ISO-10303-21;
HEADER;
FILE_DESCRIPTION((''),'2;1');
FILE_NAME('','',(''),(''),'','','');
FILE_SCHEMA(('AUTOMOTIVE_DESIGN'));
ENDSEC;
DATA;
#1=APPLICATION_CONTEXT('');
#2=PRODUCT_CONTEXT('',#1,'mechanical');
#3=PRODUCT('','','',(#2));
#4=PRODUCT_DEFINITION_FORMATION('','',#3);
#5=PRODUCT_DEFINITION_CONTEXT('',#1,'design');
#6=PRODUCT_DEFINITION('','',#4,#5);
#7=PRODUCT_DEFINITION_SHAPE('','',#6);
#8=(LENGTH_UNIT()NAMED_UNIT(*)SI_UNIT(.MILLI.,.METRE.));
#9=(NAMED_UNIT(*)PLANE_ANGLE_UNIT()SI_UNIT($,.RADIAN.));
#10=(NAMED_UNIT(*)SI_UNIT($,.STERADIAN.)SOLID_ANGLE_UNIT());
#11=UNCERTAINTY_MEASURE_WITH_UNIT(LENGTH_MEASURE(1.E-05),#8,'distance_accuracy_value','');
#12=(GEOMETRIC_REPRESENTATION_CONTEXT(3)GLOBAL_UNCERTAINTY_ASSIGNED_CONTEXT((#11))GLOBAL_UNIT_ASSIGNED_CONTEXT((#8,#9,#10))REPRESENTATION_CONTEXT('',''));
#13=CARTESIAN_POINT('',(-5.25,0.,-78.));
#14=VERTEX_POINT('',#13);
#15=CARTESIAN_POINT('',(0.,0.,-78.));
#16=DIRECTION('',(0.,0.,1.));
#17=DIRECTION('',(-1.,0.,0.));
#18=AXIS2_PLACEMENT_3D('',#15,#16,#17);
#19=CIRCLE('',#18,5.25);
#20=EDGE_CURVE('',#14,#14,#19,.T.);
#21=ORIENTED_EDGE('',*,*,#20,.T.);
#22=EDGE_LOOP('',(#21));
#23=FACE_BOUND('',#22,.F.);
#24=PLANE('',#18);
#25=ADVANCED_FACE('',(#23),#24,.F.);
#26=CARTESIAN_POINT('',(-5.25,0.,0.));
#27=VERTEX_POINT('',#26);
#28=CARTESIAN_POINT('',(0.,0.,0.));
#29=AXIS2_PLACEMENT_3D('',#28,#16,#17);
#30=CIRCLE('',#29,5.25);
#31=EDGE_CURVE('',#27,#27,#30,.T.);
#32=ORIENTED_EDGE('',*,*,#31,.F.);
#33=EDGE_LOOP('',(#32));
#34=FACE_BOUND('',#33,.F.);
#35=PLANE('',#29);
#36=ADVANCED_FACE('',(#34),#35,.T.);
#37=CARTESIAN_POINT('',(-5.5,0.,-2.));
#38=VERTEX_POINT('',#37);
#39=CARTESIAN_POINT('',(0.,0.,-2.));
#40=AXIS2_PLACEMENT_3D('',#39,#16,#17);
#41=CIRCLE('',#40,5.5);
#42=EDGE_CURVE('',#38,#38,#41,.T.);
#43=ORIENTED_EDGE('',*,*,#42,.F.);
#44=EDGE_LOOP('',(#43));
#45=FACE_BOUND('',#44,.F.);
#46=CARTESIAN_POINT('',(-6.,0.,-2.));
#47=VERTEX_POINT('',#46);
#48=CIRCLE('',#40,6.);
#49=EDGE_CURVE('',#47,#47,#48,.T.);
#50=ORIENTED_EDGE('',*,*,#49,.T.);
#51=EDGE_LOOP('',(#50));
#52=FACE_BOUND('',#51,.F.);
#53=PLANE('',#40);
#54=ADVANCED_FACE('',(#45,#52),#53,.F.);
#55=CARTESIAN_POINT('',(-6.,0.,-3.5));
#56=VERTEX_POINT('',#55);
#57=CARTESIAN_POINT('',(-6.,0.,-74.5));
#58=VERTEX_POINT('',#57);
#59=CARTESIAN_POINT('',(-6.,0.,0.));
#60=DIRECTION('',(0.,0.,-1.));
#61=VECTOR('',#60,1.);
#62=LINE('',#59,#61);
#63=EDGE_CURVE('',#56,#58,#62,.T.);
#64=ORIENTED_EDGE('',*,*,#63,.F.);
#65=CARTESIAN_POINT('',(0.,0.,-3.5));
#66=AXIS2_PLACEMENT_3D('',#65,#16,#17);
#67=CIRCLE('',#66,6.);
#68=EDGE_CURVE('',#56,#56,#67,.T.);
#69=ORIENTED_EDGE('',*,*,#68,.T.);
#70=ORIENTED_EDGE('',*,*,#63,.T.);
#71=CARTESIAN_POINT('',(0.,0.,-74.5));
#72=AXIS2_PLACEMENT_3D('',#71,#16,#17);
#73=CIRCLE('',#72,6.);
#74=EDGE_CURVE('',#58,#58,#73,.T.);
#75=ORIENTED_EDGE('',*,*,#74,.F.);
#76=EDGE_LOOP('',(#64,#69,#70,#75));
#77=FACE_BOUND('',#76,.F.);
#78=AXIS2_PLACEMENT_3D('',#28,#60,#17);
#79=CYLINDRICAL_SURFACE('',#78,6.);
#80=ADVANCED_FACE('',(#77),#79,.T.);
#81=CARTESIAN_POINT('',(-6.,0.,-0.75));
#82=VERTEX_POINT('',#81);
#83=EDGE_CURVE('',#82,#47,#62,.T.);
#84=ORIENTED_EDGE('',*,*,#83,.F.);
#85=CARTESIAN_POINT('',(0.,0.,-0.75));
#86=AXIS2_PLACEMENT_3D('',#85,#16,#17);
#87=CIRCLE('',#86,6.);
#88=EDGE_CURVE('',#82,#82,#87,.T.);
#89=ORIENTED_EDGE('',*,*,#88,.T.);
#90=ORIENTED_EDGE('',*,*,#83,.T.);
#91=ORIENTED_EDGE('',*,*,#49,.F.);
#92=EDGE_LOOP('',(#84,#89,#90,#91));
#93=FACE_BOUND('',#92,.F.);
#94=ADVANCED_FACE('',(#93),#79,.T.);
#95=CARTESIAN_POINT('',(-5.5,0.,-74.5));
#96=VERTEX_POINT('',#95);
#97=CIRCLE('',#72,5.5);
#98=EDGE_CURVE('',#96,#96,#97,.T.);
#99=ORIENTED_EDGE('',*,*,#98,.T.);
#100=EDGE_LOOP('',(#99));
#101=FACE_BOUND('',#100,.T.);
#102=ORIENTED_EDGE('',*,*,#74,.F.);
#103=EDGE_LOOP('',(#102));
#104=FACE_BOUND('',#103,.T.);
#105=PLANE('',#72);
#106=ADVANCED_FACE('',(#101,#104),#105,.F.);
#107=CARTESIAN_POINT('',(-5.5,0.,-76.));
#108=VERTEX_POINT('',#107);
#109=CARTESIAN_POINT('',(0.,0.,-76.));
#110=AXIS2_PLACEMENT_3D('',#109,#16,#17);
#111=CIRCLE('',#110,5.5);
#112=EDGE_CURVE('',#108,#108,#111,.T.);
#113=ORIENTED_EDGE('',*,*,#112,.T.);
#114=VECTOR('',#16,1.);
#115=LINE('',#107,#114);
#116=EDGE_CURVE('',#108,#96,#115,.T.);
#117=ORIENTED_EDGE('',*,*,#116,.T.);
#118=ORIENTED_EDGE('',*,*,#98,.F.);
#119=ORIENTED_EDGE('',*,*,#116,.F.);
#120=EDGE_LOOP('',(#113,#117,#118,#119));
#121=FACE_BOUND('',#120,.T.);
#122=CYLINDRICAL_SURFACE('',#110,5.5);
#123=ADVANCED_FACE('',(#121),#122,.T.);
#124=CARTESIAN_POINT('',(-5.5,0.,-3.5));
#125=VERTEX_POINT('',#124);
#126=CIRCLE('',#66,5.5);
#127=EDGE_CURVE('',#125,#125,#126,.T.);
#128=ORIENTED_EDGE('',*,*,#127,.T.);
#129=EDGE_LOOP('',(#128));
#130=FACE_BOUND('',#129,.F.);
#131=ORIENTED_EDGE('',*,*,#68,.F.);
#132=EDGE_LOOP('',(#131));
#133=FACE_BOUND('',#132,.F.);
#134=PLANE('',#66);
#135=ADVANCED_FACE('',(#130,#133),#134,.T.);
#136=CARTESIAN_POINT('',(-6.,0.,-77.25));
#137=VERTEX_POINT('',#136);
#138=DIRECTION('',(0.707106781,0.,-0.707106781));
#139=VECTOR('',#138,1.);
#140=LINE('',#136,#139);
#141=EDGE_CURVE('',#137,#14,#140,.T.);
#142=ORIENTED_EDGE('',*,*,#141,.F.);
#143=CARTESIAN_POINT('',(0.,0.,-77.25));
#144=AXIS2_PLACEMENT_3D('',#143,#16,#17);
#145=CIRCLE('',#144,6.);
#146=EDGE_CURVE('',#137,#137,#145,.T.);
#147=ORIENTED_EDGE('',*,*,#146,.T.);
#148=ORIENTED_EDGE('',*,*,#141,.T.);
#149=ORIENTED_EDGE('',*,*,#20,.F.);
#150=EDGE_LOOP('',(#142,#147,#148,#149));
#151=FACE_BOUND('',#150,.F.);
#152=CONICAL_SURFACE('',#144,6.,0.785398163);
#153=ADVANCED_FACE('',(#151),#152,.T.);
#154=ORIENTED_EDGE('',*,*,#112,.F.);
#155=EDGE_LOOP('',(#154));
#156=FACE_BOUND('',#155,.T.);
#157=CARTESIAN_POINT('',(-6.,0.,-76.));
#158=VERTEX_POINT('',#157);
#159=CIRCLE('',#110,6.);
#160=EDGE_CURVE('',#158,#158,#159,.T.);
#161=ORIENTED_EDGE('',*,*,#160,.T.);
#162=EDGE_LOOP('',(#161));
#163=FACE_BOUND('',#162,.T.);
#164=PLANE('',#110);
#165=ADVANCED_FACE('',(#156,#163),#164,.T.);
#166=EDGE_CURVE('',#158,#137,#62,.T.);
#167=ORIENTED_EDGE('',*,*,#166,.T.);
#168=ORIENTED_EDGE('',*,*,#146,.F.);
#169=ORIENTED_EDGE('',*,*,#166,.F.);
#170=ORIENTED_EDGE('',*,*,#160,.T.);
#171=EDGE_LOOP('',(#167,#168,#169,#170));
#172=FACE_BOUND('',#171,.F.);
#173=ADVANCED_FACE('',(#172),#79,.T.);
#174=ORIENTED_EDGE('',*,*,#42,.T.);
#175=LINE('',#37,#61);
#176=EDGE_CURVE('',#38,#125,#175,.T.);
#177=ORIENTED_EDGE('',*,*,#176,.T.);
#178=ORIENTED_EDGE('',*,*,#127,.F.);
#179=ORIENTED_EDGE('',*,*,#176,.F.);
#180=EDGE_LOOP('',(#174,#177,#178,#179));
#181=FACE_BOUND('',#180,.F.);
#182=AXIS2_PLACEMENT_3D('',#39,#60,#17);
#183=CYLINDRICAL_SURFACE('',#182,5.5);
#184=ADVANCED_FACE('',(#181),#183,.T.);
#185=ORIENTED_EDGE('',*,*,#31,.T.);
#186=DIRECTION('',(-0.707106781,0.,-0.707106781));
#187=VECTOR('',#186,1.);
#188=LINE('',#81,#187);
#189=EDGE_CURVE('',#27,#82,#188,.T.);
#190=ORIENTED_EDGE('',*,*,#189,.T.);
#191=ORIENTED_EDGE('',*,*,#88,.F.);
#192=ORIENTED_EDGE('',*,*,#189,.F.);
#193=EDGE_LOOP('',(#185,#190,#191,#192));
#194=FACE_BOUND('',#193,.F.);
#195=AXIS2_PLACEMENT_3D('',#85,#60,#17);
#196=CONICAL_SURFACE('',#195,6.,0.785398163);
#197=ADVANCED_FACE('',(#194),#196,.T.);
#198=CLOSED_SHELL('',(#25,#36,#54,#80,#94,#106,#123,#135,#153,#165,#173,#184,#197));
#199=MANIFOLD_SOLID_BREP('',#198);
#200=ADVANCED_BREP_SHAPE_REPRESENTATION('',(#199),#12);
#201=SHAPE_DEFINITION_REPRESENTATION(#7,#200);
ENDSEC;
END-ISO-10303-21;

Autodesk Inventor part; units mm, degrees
ref_plane "YZ Plane" through (0, 0, 0) normal (1, 0, 0) x (0, 1, 0)
ref_plane "XZ Plane" through (0, 0, 0) normal (0, 1, 0) x (-1, 0, 0)
ref_plane "XY Plane" through (0, 0, 0) normal (0, 0, 1) x (1, 0, 0)
sketch "Sketch1" plane through (0, 0, 0) normal (0, 1, 0) x (-1, 0, 0)
  line L0 (0, 0) -> (6, 0)
  line L1 (6, 0) -> (6, -78)
  line L2 (6, -78) -> (0, -78)
  line L3 (0, -78) -> (0, 0)
  line L4 (6, -2) -> (5.5, -2)
  line L5 (5.5, -2) -> (5.5, -3.5)
  line L6 (5.5, -3.5) -> (6, -3.5)
  line L7 (6, -3.5) -> (6, -2)
  line L8 (6, -76) -> (5.5, -76)
  line L9 (5.5, -76) -> (5.5, -74.5)
  line L10 (5.5, -74.5) -> (6, -74.5)
  line L11 (6, -74.5) -> (6, -76)
  point P0 (6, -74.5)
  point P1 (6, -3.5)
  dimension "d0" = 6
  dimension "d3" = 71
  dimension "d4" = 1.5
  dimension "d5" = 0.5
  dimension "d6" = 1.5
  dimension "d7" = 2
  dimension "d8" = 2
revolve "Revolution1" add sketch "Sketch1" angle 360 about axis through (0, 0, -78) along (0, 0, 1) contours L0 L1 L4 L5 L6 L10 L9 L8 L2 L3
chamfer "Chamfer1" distance 0.75 angle 45 2 edges at (6, 0, 0) (6, 0, -78)
properties part number "Aksel_stempel_bund"
